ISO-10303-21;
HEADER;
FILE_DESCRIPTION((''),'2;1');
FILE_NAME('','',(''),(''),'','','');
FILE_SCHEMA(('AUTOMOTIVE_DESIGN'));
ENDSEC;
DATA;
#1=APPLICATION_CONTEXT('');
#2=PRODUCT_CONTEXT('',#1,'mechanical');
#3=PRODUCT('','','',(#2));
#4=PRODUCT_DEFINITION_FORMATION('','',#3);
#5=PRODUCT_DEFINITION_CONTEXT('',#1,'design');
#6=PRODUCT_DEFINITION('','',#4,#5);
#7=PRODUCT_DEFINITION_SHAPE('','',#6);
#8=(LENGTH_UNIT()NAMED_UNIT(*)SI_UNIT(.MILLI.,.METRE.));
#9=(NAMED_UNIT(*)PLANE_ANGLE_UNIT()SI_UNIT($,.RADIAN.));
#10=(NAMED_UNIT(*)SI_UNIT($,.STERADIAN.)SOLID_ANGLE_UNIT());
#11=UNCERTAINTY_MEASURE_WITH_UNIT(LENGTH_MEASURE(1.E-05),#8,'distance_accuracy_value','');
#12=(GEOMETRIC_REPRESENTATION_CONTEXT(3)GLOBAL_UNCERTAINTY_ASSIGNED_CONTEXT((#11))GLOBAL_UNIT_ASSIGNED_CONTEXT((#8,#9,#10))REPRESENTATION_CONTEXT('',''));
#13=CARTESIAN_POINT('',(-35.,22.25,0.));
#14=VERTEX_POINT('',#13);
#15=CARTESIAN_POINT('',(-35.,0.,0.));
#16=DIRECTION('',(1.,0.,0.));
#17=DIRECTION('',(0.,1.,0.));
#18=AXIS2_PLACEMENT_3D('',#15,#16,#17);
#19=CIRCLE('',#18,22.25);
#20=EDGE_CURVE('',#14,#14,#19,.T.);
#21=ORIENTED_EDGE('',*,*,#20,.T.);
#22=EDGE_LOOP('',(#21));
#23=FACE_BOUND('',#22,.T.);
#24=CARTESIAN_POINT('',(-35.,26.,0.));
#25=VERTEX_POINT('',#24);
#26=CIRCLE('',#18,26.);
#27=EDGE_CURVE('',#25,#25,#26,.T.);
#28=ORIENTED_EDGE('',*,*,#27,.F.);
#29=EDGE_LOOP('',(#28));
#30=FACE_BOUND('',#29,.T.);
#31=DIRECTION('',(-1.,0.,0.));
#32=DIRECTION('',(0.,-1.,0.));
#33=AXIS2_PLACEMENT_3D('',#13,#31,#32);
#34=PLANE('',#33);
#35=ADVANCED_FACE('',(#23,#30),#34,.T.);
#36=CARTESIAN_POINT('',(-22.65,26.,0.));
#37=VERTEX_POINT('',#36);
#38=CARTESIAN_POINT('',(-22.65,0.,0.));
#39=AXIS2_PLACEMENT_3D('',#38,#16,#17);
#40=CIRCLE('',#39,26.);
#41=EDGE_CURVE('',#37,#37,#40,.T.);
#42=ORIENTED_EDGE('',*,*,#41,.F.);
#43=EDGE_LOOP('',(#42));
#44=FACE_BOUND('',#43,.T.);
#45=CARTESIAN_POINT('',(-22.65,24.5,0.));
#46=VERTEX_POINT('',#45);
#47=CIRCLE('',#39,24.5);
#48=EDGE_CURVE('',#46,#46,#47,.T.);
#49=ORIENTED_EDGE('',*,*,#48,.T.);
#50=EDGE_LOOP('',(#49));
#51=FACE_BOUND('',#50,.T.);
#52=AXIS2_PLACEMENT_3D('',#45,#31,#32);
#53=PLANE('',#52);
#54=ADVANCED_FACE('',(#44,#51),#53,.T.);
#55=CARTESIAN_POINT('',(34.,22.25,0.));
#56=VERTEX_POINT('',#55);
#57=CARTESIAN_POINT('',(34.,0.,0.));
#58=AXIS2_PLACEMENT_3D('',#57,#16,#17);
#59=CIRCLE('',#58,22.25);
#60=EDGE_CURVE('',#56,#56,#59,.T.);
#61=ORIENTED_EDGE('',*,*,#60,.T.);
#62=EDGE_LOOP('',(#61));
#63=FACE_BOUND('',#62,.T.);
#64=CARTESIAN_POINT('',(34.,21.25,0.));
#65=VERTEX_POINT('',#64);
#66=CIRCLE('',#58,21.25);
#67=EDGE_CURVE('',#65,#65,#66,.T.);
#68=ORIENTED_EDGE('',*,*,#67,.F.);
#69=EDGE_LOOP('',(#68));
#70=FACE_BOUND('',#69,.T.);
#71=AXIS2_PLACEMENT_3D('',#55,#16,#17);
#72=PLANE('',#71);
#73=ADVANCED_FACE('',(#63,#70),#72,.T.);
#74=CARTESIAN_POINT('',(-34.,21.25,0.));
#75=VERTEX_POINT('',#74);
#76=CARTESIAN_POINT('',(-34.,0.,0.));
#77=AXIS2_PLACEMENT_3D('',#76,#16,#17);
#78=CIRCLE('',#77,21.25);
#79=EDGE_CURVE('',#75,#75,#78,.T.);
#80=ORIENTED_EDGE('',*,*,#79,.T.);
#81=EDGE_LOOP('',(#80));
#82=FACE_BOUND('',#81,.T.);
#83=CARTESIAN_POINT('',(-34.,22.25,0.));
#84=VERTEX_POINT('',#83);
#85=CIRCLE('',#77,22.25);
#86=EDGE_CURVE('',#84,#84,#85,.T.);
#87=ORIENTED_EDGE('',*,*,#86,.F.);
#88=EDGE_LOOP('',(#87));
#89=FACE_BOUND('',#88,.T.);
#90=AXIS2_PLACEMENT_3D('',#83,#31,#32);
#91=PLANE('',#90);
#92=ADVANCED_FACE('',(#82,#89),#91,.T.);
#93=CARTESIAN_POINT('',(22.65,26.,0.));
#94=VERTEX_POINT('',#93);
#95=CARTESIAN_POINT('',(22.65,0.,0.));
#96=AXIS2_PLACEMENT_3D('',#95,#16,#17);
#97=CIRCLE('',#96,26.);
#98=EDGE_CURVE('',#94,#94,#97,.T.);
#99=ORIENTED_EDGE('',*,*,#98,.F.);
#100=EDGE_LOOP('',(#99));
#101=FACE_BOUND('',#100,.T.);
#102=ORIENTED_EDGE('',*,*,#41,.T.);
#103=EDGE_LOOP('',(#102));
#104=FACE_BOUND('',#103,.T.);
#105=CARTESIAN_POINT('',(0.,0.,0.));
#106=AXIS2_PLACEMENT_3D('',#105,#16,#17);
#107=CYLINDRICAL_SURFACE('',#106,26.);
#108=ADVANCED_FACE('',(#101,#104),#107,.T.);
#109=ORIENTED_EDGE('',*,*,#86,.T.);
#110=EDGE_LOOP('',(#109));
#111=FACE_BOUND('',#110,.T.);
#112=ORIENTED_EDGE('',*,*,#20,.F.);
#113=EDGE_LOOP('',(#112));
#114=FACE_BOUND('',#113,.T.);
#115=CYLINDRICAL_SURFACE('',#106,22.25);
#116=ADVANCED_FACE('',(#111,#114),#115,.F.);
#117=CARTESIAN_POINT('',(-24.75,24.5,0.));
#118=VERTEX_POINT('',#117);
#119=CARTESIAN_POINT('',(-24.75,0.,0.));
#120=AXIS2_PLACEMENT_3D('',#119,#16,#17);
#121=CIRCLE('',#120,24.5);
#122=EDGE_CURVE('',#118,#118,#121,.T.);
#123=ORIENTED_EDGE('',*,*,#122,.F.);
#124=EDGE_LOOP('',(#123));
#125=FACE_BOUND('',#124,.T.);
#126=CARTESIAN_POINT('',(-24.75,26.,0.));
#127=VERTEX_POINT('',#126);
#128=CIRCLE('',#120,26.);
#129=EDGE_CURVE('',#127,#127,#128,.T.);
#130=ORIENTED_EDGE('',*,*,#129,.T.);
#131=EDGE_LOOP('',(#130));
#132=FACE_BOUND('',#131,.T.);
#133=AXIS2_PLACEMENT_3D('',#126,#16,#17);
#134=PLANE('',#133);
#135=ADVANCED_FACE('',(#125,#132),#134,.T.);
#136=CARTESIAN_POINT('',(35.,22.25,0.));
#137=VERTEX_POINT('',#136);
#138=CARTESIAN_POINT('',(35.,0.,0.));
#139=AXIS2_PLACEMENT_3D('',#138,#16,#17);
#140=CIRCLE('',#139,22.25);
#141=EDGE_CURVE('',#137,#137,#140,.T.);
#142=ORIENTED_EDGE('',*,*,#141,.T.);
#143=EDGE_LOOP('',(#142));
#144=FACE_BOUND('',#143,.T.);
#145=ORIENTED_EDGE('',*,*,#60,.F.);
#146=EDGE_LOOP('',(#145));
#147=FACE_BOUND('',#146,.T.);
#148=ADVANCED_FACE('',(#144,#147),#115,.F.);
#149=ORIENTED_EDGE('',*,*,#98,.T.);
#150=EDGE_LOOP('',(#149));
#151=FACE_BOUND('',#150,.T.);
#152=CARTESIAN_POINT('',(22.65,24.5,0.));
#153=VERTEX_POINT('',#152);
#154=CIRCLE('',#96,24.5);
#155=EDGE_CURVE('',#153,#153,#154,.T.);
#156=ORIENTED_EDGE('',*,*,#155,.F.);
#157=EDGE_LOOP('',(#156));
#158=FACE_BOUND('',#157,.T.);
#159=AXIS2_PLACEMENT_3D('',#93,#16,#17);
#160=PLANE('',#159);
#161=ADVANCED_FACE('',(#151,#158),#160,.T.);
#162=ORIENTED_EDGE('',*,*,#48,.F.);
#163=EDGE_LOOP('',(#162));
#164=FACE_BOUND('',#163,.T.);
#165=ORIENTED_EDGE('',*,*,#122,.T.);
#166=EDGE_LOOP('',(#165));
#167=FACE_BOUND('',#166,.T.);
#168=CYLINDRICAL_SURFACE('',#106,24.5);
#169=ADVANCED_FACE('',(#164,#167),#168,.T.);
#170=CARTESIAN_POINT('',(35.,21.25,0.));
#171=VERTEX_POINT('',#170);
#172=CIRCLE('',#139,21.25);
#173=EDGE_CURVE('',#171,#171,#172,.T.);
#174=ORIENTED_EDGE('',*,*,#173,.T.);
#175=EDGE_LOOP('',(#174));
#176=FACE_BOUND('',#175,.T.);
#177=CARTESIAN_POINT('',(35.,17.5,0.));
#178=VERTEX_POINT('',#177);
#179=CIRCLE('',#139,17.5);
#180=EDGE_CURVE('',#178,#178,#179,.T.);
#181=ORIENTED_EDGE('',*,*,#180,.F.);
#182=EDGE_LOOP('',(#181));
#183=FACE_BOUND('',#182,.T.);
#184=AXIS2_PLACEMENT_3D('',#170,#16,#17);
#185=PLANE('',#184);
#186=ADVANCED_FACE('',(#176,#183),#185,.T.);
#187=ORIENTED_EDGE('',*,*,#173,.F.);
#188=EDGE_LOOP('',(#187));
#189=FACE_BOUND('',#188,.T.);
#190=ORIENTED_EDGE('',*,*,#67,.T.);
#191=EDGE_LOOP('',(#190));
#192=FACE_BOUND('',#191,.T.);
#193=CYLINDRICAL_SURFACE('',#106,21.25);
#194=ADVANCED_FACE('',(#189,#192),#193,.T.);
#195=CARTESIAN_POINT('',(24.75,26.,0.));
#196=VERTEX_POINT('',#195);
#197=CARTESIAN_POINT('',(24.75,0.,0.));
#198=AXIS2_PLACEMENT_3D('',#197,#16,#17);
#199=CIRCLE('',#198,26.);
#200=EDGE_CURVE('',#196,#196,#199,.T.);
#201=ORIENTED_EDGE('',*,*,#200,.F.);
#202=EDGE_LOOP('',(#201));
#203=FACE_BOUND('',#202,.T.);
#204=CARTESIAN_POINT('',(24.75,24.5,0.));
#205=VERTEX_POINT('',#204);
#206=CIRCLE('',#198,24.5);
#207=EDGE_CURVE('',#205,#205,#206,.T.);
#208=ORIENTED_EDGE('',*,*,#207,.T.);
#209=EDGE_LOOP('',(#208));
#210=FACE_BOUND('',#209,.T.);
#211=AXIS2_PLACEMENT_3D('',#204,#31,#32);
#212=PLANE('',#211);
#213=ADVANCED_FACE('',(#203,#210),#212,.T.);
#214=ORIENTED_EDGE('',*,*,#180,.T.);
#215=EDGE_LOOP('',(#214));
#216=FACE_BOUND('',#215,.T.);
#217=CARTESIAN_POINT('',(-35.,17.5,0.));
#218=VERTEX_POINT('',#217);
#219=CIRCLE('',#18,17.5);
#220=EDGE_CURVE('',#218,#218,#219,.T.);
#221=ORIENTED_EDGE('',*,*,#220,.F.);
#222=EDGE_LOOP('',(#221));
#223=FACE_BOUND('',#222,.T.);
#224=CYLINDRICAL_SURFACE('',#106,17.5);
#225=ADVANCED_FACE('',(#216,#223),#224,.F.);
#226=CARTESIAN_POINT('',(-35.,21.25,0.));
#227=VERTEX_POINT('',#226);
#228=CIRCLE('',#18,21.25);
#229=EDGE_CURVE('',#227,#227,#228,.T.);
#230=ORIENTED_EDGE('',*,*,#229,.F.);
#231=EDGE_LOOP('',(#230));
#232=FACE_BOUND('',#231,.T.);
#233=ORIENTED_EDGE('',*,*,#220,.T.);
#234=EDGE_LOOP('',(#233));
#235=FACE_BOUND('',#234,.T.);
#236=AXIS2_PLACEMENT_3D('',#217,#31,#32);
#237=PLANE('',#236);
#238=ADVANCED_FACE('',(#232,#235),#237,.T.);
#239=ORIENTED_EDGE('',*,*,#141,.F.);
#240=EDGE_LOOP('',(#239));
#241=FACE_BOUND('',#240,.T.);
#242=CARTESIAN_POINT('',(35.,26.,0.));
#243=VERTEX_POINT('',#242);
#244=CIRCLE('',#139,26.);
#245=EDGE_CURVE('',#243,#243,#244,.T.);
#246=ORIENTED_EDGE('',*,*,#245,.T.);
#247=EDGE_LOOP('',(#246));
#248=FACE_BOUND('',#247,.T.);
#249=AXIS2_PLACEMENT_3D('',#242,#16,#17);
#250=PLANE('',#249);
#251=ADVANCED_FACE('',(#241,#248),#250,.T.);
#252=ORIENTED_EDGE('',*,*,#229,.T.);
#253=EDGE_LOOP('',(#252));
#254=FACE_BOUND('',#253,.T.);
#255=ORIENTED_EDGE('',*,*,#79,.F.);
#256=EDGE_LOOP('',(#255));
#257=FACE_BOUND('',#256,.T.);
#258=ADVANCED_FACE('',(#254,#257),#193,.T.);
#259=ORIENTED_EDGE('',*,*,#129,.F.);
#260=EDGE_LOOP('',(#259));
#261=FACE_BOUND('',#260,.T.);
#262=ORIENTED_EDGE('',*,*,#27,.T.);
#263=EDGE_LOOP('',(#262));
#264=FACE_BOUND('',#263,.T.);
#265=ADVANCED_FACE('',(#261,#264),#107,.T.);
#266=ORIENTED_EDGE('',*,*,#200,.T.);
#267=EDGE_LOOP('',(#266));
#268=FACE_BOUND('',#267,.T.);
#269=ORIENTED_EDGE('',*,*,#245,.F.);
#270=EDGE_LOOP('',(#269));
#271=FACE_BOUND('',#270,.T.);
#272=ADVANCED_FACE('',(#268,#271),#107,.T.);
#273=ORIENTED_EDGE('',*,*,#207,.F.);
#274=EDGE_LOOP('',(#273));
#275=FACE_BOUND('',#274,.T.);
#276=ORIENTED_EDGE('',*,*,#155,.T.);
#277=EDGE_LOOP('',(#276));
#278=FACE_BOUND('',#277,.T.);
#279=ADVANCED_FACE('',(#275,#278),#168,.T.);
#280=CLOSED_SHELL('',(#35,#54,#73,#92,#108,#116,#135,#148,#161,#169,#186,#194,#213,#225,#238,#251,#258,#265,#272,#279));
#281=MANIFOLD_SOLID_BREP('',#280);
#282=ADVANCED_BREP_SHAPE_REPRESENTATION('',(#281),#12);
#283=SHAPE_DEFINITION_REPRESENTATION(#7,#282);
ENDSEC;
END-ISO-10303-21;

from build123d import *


with BuildPart() as part:
    # Esboço1 → Revolução1 (revolve)
    with BuildSketch(Plane.XY):
        Polygon((-35, 26), (-24.75, 26), (-24.75, 24.5), (-22.65, 24.5), (-22.65, 26), (22.65, 26), (22.65, 24.5), (24.75, 24.5), (24.75, 26), (35, 26), (35, 22.25), (34, 22.25), (34, 21.25), (35, 21.25), (35, 17.5), (-35, 17.5), (-35, 21.25), (-34, 21.25), (-34, 22.25), (-35, 22.25), align=None)
    revolve(axis=Axis((0, 0, 0), (-1, 0, 0)))


solid = part.part
